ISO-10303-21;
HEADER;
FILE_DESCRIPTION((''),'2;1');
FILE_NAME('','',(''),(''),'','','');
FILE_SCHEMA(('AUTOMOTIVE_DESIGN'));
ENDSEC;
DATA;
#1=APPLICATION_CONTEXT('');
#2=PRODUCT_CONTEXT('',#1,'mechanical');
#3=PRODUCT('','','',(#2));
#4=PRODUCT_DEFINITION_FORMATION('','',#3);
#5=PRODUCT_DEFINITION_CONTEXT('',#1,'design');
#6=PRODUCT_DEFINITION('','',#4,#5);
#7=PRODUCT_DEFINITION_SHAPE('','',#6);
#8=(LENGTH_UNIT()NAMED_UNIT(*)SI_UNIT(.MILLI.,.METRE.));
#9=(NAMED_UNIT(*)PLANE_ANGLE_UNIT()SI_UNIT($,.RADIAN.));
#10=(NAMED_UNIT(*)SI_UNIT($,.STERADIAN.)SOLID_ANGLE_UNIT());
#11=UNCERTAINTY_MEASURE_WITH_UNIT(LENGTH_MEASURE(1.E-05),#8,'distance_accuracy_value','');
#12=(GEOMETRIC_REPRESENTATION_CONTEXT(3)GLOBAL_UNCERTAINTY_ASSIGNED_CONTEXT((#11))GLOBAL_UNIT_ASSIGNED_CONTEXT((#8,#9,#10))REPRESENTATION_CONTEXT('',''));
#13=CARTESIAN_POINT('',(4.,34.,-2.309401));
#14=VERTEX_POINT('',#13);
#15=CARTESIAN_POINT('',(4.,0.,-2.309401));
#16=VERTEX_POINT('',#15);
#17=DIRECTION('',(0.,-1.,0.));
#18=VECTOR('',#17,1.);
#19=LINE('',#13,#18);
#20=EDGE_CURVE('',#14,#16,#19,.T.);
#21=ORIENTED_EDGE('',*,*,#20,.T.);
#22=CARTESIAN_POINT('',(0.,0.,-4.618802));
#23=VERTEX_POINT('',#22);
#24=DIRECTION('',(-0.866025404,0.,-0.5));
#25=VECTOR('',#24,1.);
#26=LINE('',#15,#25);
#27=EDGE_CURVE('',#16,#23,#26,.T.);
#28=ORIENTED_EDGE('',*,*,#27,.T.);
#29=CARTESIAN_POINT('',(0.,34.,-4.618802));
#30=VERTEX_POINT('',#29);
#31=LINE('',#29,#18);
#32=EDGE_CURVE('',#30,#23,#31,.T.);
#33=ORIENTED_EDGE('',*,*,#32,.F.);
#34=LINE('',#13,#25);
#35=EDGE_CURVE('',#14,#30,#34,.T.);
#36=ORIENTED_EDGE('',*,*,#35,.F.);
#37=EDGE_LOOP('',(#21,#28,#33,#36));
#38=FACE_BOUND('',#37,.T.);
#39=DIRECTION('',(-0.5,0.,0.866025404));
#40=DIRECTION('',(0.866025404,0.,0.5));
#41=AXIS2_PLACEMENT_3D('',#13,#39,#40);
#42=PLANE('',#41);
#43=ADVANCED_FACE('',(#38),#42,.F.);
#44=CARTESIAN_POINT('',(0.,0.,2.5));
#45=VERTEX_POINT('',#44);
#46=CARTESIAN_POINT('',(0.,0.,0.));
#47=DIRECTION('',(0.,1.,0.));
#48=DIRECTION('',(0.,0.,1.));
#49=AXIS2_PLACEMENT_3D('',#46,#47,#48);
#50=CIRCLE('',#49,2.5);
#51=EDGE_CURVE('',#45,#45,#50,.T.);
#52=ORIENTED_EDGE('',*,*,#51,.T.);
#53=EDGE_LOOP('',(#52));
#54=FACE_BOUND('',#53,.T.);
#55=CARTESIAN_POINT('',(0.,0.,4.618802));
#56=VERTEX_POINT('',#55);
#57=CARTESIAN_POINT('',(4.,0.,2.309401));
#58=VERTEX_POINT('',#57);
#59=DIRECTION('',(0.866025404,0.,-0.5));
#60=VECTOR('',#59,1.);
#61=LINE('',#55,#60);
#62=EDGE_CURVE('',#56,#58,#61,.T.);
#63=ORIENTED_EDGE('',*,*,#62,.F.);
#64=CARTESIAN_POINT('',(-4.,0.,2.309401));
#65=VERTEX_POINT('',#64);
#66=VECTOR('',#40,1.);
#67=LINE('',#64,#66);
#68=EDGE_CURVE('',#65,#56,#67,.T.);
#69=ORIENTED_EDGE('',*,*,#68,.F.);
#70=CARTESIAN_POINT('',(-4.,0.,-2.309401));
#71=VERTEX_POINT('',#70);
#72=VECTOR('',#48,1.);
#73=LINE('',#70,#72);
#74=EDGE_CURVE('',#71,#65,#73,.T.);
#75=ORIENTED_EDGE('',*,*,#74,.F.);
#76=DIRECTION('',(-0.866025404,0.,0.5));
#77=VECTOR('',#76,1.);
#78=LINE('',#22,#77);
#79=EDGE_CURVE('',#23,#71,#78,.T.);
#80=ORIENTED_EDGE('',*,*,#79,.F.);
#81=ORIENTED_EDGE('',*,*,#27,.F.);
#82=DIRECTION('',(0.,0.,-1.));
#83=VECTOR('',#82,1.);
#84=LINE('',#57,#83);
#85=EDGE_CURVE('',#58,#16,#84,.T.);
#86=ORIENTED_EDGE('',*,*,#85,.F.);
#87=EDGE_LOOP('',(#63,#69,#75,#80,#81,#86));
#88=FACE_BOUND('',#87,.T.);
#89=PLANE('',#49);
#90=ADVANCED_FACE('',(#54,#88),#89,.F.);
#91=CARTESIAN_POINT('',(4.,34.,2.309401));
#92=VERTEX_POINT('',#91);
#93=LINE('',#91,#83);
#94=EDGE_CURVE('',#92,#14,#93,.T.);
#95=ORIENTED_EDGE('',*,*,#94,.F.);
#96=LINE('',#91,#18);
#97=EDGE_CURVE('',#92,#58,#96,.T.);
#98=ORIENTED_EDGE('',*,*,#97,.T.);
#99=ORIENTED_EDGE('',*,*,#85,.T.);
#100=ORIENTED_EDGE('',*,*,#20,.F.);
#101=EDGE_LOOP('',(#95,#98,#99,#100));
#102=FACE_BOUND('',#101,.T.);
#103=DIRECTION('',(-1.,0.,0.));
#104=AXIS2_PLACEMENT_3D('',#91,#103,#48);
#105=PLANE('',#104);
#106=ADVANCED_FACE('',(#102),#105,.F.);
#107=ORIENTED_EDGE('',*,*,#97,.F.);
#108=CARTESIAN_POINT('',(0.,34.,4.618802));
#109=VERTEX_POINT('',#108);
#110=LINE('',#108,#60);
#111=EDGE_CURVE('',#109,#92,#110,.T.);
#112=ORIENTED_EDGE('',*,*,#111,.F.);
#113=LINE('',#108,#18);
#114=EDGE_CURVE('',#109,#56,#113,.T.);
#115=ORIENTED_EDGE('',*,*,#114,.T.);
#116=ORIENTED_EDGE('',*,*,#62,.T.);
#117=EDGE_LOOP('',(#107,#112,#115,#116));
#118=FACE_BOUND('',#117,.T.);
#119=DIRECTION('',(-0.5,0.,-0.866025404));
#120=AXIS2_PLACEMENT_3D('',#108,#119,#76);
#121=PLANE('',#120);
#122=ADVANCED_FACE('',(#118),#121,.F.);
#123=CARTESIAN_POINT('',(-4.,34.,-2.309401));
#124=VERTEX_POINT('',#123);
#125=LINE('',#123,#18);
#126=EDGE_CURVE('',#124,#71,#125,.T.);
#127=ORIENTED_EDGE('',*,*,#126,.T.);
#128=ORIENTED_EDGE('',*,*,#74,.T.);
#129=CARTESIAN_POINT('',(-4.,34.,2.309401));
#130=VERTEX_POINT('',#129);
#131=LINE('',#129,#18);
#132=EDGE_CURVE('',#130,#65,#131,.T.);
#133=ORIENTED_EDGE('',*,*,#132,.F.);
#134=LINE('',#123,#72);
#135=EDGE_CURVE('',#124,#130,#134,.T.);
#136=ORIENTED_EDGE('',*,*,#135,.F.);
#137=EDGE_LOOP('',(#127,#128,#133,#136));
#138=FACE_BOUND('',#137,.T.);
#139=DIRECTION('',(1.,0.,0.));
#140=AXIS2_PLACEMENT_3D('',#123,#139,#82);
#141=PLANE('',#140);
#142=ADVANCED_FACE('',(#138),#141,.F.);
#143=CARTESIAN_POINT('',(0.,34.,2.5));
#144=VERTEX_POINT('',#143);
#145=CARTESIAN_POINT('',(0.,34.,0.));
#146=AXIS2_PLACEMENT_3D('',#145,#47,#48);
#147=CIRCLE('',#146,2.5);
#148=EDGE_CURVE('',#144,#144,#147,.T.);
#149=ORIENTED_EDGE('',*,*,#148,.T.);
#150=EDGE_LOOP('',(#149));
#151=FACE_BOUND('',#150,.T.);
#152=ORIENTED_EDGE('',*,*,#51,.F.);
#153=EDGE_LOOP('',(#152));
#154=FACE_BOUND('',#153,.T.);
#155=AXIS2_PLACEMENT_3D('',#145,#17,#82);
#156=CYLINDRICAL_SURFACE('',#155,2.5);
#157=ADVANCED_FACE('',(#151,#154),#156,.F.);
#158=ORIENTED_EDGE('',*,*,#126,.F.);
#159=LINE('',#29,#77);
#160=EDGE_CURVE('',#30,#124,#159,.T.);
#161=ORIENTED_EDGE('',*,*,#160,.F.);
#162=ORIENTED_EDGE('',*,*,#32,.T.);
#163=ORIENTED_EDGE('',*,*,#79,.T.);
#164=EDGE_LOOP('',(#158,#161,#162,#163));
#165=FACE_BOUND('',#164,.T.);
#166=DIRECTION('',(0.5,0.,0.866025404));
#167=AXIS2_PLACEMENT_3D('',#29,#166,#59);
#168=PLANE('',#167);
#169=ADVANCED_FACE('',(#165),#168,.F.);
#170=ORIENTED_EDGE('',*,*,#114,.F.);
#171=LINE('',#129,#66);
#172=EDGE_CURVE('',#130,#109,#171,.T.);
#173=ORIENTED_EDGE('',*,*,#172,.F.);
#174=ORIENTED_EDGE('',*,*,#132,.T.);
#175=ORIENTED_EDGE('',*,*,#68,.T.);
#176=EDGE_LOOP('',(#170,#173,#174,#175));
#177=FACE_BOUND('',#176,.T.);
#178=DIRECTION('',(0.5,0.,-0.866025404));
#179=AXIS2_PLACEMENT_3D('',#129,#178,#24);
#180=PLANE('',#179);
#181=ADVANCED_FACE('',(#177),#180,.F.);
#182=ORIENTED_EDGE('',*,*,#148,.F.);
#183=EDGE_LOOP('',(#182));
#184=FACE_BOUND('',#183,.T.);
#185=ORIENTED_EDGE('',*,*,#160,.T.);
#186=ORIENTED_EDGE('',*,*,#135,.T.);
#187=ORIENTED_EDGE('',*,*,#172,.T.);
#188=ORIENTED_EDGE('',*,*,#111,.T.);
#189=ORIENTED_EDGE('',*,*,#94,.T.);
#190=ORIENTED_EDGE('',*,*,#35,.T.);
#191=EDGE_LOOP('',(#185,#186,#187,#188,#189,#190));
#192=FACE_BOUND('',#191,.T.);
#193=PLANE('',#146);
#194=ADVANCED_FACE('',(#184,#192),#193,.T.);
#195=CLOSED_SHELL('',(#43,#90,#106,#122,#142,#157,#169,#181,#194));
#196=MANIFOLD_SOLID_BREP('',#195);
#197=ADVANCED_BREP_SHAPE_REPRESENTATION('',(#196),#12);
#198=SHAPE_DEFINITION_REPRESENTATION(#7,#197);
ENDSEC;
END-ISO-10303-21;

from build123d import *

# Parameters (mm, degrees)
SKETCH_1_R      = 2.5
EXTRUDE_1_DEPTH = 34


with BuildPart() as part:
    # 草图1 → 凸台-拉伸1 (new body)
    with BuildSketch(Plane(origin=(0, 0, 0), x_dir=(1, 0, 0), z_dir=(0, 1, 0))):
        Polygon((0, 4.618802154), (-4, 2.309401077), (-4, -2.309401077), (0, -4.618802154), (4, -2.309401077), (4, 2.309401077), align=None)
        with Locations(Location((0, 0, 0), (0, 0, 270))):
            Circle(SKETCH_1_R, mode=Mode.SUBTRACT)
    extrude(amount=EXTRUDE_1_DEPTH)


solid = part.part
